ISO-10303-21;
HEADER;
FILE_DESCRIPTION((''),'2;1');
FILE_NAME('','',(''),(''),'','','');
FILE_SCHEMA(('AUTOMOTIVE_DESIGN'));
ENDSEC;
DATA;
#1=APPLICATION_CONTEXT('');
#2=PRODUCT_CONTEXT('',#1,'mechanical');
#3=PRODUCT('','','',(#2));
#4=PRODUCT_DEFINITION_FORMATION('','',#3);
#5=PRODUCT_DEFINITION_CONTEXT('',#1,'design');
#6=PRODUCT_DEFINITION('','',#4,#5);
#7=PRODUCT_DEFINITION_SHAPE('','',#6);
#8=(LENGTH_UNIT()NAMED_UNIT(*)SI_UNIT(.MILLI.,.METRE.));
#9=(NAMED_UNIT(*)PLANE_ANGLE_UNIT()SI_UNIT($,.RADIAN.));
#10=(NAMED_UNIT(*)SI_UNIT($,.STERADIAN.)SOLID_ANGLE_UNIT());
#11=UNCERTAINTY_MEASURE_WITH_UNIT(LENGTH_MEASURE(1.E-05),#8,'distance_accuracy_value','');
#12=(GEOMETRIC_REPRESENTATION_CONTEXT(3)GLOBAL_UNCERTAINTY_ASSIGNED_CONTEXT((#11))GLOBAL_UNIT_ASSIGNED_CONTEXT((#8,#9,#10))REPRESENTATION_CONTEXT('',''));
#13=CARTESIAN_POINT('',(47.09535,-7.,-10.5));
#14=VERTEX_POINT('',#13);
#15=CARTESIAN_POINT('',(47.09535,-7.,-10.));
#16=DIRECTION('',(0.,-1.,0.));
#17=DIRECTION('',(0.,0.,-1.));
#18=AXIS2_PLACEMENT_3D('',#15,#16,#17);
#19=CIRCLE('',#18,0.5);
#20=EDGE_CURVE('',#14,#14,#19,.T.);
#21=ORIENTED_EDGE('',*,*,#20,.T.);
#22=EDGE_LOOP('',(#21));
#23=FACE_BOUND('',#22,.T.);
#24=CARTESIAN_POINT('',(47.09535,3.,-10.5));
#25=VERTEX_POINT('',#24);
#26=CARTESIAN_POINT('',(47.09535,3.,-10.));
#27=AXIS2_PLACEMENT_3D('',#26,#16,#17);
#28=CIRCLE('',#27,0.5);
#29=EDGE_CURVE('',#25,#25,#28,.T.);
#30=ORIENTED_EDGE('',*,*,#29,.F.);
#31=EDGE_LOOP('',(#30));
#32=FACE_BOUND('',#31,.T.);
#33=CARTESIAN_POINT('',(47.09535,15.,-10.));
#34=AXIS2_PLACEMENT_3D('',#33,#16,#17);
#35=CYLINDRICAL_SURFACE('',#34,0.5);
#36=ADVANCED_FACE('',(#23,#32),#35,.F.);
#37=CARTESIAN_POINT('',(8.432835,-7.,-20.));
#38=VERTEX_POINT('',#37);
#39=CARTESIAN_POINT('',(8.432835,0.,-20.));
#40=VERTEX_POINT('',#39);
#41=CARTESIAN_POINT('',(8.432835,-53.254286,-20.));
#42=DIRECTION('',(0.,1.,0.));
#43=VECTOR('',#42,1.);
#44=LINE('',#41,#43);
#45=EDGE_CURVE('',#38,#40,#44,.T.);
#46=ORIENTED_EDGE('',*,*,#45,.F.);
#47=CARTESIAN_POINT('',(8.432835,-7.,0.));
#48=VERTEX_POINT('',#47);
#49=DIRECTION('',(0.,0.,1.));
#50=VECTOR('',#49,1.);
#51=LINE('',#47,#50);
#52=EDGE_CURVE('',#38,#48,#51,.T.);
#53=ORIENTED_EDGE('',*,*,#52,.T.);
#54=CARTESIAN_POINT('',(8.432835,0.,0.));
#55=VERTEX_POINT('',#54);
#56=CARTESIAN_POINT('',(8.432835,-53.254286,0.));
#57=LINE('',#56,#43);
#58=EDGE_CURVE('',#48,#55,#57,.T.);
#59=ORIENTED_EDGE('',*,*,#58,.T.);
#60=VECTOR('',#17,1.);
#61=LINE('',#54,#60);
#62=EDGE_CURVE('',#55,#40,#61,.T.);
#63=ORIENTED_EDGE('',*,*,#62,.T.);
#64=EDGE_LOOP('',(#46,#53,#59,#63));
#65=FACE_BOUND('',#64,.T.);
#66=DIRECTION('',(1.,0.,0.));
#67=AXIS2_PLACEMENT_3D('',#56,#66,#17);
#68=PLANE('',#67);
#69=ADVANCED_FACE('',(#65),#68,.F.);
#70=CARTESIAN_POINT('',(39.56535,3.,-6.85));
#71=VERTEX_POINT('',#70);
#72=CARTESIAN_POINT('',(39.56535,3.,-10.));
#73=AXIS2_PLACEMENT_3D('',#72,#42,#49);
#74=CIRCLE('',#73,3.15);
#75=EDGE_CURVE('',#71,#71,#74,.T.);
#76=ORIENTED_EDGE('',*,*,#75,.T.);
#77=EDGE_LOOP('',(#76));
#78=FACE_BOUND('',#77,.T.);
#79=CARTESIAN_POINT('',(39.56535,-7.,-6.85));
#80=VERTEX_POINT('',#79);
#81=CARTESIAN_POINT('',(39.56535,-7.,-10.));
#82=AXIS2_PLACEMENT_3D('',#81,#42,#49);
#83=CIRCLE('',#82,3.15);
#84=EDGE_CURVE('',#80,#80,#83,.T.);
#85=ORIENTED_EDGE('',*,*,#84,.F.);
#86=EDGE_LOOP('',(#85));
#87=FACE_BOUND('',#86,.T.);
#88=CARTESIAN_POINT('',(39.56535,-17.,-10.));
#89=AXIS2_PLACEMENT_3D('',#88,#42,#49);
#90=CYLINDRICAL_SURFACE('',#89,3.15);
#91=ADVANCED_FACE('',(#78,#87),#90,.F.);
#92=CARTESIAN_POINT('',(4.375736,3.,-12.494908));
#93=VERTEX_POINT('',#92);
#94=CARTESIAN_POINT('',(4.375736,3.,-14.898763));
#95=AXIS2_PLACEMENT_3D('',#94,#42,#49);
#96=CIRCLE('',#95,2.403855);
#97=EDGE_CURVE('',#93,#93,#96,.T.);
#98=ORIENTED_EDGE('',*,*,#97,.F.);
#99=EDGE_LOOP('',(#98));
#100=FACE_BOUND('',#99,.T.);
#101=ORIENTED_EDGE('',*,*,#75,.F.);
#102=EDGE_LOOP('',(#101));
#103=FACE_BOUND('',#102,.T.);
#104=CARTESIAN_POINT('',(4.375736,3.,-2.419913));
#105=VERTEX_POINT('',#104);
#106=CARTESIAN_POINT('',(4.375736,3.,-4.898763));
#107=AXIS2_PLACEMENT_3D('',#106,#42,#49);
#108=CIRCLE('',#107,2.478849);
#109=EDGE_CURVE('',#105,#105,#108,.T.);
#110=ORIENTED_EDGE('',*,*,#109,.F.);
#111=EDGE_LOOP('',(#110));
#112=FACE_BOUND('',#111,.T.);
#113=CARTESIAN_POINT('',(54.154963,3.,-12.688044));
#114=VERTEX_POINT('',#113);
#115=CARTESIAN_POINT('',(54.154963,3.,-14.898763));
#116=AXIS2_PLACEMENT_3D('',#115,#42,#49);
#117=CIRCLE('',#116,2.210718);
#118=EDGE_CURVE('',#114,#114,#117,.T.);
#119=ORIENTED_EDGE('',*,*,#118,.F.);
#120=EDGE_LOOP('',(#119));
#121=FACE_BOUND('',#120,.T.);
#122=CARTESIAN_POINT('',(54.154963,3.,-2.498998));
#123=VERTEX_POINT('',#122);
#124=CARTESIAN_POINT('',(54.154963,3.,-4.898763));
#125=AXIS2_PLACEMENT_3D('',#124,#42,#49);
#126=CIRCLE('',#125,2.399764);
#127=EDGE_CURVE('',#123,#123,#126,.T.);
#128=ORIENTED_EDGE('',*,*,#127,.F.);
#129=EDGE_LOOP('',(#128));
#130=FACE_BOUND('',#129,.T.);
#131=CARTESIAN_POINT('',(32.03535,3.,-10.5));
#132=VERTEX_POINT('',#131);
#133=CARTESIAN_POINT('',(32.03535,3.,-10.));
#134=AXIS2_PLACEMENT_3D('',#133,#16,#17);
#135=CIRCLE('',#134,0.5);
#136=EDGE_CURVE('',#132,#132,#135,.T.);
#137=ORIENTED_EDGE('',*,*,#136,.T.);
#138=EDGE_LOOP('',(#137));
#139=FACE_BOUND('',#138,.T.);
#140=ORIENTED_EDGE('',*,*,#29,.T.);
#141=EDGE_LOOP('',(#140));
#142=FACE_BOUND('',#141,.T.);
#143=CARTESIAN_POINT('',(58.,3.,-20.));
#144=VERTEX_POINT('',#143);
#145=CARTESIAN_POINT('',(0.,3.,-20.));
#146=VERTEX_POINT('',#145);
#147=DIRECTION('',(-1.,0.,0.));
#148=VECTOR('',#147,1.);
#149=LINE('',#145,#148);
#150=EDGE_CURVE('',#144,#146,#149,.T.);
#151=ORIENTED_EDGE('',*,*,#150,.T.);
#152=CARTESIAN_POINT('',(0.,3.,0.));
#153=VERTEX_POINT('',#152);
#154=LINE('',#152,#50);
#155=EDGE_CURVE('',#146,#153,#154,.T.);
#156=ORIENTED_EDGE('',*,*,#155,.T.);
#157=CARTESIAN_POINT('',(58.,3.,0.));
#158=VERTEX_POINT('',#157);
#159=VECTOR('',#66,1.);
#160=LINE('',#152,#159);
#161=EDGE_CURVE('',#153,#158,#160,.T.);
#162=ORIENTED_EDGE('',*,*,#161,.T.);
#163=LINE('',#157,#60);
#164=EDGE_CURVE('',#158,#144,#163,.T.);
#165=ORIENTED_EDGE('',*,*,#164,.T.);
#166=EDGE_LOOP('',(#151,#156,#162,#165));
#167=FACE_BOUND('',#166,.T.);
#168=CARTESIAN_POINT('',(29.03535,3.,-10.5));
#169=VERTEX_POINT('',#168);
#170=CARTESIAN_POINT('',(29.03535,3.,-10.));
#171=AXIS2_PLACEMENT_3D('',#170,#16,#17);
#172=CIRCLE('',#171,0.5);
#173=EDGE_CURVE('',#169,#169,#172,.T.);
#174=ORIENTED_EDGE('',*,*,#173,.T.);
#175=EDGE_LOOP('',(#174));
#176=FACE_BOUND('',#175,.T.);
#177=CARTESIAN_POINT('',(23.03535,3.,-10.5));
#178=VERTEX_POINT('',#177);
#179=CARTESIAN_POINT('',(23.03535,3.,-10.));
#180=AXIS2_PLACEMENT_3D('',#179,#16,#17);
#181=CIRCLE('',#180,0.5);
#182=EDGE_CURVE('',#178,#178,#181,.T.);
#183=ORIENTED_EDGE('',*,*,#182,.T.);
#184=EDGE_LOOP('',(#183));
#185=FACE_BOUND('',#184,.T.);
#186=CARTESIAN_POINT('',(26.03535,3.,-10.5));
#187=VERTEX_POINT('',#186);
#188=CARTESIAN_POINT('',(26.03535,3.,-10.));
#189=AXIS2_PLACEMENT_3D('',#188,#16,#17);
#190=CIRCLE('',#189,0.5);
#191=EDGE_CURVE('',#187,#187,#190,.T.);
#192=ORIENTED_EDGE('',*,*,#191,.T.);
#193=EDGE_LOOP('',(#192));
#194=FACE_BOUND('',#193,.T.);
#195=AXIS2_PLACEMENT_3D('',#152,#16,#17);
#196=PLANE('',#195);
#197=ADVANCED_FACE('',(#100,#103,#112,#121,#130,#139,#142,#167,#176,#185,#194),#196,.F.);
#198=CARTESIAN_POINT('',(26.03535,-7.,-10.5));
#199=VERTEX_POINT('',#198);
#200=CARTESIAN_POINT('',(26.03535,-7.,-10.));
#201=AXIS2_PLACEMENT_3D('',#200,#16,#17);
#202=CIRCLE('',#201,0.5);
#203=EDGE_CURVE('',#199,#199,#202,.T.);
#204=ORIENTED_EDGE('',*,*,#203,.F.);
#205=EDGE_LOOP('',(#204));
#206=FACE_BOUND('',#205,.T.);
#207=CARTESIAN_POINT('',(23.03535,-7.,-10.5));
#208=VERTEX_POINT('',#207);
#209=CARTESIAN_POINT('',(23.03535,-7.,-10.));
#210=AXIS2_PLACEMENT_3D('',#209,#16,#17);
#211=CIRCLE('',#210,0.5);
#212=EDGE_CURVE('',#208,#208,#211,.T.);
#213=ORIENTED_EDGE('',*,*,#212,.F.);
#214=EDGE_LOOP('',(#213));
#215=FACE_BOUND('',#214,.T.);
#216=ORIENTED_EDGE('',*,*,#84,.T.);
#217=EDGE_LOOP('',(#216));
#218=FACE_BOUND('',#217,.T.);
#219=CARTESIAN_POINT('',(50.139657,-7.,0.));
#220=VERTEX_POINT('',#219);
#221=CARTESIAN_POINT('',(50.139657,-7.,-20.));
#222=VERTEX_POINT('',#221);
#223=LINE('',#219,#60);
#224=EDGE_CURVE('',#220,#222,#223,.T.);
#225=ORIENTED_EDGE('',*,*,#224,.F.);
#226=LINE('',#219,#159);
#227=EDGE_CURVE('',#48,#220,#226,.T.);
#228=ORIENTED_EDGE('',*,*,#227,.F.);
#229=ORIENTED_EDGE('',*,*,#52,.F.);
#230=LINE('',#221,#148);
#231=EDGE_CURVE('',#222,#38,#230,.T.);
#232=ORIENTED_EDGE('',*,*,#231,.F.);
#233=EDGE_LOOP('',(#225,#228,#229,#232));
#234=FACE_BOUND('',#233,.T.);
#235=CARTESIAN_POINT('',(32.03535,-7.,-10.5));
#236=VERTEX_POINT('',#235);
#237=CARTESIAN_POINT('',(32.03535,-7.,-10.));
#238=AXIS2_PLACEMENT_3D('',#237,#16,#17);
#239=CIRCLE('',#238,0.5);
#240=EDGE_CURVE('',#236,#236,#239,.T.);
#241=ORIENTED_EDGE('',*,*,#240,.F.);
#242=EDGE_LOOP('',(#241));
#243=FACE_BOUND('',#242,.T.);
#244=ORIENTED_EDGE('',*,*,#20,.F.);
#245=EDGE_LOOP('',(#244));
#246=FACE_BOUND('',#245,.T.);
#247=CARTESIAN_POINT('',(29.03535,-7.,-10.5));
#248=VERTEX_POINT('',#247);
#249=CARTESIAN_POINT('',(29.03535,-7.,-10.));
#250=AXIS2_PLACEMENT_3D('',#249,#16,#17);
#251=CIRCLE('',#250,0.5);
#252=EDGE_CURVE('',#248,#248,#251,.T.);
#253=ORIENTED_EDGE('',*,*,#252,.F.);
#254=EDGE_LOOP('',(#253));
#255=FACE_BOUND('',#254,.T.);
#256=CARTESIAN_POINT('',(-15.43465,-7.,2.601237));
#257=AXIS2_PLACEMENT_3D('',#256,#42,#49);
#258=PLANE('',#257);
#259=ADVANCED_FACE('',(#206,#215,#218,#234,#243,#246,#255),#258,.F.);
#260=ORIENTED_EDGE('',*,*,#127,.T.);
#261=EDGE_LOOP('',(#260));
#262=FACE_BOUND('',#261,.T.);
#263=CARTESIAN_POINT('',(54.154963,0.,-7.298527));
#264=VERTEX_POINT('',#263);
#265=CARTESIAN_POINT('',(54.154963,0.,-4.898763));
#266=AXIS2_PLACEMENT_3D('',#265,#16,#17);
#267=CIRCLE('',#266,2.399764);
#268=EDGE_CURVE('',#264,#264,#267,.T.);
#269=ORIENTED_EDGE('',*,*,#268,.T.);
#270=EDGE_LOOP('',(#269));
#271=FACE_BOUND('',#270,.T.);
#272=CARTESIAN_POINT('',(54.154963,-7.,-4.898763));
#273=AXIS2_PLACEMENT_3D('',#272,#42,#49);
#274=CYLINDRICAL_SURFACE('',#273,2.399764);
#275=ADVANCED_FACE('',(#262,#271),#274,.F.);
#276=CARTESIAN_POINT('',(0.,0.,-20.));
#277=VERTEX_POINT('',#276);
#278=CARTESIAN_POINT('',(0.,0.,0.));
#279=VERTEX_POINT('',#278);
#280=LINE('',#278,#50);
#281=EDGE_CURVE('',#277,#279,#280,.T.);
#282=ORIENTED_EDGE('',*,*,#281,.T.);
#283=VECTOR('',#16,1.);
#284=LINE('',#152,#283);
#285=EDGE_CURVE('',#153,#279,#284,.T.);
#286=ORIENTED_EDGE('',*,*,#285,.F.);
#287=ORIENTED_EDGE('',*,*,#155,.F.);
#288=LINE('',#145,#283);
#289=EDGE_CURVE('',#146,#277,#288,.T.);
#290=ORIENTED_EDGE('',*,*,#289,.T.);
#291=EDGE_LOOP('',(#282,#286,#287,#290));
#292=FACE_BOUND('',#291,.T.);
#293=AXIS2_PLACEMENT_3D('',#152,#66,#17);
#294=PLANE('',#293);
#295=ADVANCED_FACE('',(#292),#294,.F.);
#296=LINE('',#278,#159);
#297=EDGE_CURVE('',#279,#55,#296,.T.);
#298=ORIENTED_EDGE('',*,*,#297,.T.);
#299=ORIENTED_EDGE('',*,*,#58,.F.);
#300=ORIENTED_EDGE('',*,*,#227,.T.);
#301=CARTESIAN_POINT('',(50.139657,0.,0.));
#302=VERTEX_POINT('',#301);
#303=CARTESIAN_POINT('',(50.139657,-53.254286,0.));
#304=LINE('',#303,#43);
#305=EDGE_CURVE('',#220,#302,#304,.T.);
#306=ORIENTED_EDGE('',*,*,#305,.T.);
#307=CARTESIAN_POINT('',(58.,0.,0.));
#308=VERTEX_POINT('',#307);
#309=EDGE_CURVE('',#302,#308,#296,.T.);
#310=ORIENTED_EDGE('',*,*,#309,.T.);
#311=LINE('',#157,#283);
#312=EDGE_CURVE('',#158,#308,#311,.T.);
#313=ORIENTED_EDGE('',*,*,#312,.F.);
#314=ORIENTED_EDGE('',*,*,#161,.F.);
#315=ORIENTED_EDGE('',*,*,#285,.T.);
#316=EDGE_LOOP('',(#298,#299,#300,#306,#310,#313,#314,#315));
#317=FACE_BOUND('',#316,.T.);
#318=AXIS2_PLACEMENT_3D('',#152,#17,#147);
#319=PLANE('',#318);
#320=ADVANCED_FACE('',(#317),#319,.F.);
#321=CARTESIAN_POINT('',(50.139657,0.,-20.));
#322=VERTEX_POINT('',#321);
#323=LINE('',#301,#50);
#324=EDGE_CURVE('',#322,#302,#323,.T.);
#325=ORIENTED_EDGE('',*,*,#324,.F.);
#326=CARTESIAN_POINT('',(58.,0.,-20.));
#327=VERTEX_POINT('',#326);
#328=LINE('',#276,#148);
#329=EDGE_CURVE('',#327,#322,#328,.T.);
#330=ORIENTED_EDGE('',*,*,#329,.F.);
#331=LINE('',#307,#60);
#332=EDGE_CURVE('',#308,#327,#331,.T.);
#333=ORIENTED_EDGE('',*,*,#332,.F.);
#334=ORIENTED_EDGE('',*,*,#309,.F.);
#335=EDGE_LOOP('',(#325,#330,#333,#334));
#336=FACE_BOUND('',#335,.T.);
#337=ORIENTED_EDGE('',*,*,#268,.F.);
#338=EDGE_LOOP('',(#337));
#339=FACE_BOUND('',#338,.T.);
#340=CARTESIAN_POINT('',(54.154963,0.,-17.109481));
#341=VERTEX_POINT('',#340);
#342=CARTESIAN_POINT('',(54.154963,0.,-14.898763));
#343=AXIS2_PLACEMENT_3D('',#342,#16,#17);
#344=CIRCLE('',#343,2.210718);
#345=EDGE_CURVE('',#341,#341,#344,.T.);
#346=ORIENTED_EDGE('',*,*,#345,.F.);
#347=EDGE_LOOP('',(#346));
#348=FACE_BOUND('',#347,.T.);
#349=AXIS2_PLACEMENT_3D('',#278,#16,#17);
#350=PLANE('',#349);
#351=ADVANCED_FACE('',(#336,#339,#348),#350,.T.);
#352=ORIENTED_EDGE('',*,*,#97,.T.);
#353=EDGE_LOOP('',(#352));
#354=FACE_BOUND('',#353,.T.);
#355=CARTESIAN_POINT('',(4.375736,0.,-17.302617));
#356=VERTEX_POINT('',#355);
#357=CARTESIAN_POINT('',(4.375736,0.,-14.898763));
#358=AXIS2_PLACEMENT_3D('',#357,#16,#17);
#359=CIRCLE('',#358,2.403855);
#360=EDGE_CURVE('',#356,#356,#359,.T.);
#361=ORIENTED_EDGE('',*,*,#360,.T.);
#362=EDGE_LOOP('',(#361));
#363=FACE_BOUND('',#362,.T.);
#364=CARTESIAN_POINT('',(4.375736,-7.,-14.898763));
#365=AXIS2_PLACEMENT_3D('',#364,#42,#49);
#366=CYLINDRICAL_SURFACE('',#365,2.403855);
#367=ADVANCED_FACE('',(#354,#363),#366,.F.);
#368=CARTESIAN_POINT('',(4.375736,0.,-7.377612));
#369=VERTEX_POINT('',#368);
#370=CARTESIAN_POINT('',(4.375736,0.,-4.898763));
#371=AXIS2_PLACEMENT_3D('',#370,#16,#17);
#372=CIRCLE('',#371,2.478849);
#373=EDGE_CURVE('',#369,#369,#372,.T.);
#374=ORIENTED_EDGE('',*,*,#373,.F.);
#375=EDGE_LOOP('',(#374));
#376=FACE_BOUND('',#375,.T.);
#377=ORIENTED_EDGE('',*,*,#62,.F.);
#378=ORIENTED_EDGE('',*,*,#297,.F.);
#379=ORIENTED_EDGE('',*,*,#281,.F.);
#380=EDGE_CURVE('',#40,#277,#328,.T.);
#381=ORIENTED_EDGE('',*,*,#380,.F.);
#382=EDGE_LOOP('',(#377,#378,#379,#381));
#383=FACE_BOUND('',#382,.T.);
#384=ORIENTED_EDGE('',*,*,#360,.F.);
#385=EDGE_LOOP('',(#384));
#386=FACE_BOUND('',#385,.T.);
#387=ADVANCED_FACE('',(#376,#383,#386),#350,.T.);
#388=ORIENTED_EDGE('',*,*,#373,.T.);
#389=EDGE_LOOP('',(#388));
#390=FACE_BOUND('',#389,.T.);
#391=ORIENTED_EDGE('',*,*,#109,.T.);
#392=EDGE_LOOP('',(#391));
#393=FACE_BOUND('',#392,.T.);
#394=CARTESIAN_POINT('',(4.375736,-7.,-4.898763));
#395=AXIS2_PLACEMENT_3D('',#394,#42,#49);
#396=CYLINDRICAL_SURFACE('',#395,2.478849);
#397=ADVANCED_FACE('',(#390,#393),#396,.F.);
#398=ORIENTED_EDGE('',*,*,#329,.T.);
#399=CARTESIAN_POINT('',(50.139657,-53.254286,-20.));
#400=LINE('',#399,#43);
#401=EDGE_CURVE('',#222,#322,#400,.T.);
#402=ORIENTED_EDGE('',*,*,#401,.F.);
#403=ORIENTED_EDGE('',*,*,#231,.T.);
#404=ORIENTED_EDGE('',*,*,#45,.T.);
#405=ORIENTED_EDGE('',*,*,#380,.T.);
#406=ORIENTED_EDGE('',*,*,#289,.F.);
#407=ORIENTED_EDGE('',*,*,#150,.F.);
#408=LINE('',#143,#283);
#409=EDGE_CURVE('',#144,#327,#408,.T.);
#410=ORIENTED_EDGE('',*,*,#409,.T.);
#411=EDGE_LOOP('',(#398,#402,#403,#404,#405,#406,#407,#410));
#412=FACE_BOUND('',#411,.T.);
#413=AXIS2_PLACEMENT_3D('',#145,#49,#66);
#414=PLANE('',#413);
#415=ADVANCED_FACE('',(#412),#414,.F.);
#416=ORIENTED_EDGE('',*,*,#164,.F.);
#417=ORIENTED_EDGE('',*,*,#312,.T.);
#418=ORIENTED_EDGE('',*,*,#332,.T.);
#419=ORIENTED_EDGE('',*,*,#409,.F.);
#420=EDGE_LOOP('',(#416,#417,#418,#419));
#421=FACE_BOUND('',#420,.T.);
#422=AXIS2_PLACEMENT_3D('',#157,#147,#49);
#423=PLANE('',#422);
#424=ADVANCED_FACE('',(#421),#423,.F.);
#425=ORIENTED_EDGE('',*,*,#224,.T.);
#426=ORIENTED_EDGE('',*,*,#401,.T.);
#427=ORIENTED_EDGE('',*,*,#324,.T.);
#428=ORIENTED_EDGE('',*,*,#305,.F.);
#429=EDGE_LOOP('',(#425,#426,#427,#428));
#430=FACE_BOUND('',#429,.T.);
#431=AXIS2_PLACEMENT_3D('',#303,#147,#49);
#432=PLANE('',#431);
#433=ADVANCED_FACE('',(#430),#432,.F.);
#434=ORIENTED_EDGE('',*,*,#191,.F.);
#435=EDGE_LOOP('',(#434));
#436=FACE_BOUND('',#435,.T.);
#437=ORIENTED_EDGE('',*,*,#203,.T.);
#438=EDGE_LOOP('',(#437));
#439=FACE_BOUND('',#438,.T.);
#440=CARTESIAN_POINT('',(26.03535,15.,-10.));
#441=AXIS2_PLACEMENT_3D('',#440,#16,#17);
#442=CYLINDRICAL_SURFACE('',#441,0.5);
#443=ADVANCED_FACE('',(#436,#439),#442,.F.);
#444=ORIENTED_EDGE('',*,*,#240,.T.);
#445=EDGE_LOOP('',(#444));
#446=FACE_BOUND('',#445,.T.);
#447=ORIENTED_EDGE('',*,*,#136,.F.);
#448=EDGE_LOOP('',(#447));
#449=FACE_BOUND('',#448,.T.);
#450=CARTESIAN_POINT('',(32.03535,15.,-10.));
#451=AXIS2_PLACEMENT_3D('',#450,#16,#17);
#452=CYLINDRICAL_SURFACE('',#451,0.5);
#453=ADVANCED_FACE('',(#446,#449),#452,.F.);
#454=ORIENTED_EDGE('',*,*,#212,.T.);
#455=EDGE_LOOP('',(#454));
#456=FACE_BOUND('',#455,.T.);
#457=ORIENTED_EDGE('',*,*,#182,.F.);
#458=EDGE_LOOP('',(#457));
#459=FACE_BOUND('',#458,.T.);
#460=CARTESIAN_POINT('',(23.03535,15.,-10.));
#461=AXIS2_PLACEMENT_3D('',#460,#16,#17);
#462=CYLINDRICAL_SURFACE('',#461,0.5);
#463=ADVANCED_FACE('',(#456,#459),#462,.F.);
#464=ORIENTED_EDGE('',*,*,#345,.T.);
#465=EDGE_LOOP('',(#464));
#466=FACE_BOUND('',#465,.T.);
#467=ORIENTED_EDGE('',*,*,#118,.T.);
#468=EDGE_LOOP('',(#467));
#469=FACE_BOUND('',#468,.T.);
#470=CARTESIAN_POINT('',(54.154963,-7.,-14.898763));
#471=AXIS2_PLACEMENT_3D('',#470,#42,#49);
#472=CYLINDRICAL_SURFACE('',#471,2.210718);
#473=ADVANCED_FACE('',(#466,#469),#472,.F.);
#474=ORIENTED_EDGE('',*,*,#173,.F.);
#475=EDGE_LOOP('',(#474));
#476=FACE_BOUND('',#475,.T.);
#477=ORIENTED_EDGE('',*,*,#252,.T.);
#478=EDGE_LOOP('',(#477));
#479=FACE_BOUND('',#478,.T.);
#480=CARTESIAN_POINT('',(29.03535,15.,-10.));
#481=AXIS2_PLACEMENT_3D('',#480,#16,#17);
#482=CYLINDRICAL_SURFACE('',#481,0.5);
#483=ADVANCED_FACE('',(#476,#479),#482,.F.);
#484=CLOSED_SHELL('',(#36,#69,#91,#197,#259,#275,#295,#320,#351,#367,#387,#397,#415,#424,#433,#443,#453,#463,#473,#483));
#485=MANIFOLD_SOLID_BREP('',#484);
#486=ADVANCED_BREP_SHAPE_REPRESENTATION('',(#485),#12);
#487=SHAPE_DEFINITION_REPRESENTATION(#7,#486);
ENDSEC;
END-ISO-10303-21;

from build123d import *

# Parameters (mm, degrees)
SKETCH1_W           = 58
SKETCH1_H           = 20
BOSS_EXTRUDE1_DEPTH = 3
SKETCH2_R           = 2.210718461
SKETCH2_R_2         = 2.399764385
SKETCH2_R_3         = 2.478849081
SKETCH2_R_4         = 2.403854655
CUT_EXTRUDE1_DEPTH  = 10
SKETCH3_W           = 41.706821958
SKETCH3_H           = 20
BOSS_EXTRUDE2_DEPTH = 7
SKETCH4_R           = 3.15
CUT_EXTRUDE2_DEPTH  = 20
SKETCH5_R           = 0.5
CUT_EXTRUDE3_DEPTH  = 22


with BuildPart() as part:
    # Sketch1 → Boss-Extrude1 (new body)
    with BuildSketch(Plane(origin=(0, 0, 0), x_dir=(1, 0, 0), z_dir=(0, 1, 0))):
        with Locations((29, 10)):
            Rectangle(SKETCH1_W, SKETCH1_H)
    extrude(amount=BOSS_EXTRUDE1_DEPTH)

    # Sketch2 → Cut-Extrude1 (cut)
    with BuildSketch(Plane(origin=(0, 3, 0), x_dir=(1, 0, 0), z_dir=(0, 1, 0))):
        with Locations(Location((54.154962959, 14.898762514, 0), (0, 0, 270))):
            Circle(SKETCH2_R)
        with Locations(Location((54.154962959, 4.898762514, 0), (0, 0, 270))):
            Circle(SKETCH2_R_2)
        with Locations(Location((4.375736357, 4.898762514, 0), (0, 0, 270))):
            Circle(SKETCH2_R_3)
        with Locations(Location((4.375736357, 14.898762514, 0), (0, 0, 270))):
            Circle(SKETCH2_R_4)
    extrude(amount=-CUT_EXTRUDE1_DEPTH, mode=Mode.SUBTRACT)

    # Sketch3 → Boss-Extrude2 (add)
    with BuildSketch(Plane.XZ):
        with Locations((29.286245635, -10)):
            Rectangle(SKETCH3_W, SKETCH3_H)
    extrude(amount=BOSS_EXTRUDE2_DEPTH)

    # Sketch4 → Cut-Extrude2 (cut)
    with BuildSketch(Plane(origin=(0, 3, 0), x_dir=(1, 0, 0), z_dir=(0, 1, 0))):
        with Locations(Location((39.565349658, 10, 0), (0, 0, 270))):
            Circle(SKETCH4_R)
    extrude(amount=-CUT_EXTRUDE2_DEPTH, mode=Mode.SUBTRACT)

    # Sketch5 → Cut-Extrude3 (cut)
    with BuildSketch(Plane.XZ.offset(7)):
        with Locations(Location((26.035349658, -10, 0), (0, 0, 270))):
            Circle(SKETCH5_R)
        with Locations(Location((29.035349658, -10, 0), (0, 0, 270))):
            Circle(SKETCH5_R)
        with Locations(Location((23.035349658, -10, 0), (0, 0, 270))):
            Circle(SKETCH5_R)
        with Locations(Location((32.035349658, -10, 0), (0, 0, 270))):
            Circle(SKETCH5_R)
        with Locations(Location((47.095349658, -10, 0), (0, 0, 270))):
            Circle(SKETCH5_R)
    extrude(amount=-CUT_EXTRUDE3_DEPTH, mode=Mode.SUBTRACT)


solid = part.part
